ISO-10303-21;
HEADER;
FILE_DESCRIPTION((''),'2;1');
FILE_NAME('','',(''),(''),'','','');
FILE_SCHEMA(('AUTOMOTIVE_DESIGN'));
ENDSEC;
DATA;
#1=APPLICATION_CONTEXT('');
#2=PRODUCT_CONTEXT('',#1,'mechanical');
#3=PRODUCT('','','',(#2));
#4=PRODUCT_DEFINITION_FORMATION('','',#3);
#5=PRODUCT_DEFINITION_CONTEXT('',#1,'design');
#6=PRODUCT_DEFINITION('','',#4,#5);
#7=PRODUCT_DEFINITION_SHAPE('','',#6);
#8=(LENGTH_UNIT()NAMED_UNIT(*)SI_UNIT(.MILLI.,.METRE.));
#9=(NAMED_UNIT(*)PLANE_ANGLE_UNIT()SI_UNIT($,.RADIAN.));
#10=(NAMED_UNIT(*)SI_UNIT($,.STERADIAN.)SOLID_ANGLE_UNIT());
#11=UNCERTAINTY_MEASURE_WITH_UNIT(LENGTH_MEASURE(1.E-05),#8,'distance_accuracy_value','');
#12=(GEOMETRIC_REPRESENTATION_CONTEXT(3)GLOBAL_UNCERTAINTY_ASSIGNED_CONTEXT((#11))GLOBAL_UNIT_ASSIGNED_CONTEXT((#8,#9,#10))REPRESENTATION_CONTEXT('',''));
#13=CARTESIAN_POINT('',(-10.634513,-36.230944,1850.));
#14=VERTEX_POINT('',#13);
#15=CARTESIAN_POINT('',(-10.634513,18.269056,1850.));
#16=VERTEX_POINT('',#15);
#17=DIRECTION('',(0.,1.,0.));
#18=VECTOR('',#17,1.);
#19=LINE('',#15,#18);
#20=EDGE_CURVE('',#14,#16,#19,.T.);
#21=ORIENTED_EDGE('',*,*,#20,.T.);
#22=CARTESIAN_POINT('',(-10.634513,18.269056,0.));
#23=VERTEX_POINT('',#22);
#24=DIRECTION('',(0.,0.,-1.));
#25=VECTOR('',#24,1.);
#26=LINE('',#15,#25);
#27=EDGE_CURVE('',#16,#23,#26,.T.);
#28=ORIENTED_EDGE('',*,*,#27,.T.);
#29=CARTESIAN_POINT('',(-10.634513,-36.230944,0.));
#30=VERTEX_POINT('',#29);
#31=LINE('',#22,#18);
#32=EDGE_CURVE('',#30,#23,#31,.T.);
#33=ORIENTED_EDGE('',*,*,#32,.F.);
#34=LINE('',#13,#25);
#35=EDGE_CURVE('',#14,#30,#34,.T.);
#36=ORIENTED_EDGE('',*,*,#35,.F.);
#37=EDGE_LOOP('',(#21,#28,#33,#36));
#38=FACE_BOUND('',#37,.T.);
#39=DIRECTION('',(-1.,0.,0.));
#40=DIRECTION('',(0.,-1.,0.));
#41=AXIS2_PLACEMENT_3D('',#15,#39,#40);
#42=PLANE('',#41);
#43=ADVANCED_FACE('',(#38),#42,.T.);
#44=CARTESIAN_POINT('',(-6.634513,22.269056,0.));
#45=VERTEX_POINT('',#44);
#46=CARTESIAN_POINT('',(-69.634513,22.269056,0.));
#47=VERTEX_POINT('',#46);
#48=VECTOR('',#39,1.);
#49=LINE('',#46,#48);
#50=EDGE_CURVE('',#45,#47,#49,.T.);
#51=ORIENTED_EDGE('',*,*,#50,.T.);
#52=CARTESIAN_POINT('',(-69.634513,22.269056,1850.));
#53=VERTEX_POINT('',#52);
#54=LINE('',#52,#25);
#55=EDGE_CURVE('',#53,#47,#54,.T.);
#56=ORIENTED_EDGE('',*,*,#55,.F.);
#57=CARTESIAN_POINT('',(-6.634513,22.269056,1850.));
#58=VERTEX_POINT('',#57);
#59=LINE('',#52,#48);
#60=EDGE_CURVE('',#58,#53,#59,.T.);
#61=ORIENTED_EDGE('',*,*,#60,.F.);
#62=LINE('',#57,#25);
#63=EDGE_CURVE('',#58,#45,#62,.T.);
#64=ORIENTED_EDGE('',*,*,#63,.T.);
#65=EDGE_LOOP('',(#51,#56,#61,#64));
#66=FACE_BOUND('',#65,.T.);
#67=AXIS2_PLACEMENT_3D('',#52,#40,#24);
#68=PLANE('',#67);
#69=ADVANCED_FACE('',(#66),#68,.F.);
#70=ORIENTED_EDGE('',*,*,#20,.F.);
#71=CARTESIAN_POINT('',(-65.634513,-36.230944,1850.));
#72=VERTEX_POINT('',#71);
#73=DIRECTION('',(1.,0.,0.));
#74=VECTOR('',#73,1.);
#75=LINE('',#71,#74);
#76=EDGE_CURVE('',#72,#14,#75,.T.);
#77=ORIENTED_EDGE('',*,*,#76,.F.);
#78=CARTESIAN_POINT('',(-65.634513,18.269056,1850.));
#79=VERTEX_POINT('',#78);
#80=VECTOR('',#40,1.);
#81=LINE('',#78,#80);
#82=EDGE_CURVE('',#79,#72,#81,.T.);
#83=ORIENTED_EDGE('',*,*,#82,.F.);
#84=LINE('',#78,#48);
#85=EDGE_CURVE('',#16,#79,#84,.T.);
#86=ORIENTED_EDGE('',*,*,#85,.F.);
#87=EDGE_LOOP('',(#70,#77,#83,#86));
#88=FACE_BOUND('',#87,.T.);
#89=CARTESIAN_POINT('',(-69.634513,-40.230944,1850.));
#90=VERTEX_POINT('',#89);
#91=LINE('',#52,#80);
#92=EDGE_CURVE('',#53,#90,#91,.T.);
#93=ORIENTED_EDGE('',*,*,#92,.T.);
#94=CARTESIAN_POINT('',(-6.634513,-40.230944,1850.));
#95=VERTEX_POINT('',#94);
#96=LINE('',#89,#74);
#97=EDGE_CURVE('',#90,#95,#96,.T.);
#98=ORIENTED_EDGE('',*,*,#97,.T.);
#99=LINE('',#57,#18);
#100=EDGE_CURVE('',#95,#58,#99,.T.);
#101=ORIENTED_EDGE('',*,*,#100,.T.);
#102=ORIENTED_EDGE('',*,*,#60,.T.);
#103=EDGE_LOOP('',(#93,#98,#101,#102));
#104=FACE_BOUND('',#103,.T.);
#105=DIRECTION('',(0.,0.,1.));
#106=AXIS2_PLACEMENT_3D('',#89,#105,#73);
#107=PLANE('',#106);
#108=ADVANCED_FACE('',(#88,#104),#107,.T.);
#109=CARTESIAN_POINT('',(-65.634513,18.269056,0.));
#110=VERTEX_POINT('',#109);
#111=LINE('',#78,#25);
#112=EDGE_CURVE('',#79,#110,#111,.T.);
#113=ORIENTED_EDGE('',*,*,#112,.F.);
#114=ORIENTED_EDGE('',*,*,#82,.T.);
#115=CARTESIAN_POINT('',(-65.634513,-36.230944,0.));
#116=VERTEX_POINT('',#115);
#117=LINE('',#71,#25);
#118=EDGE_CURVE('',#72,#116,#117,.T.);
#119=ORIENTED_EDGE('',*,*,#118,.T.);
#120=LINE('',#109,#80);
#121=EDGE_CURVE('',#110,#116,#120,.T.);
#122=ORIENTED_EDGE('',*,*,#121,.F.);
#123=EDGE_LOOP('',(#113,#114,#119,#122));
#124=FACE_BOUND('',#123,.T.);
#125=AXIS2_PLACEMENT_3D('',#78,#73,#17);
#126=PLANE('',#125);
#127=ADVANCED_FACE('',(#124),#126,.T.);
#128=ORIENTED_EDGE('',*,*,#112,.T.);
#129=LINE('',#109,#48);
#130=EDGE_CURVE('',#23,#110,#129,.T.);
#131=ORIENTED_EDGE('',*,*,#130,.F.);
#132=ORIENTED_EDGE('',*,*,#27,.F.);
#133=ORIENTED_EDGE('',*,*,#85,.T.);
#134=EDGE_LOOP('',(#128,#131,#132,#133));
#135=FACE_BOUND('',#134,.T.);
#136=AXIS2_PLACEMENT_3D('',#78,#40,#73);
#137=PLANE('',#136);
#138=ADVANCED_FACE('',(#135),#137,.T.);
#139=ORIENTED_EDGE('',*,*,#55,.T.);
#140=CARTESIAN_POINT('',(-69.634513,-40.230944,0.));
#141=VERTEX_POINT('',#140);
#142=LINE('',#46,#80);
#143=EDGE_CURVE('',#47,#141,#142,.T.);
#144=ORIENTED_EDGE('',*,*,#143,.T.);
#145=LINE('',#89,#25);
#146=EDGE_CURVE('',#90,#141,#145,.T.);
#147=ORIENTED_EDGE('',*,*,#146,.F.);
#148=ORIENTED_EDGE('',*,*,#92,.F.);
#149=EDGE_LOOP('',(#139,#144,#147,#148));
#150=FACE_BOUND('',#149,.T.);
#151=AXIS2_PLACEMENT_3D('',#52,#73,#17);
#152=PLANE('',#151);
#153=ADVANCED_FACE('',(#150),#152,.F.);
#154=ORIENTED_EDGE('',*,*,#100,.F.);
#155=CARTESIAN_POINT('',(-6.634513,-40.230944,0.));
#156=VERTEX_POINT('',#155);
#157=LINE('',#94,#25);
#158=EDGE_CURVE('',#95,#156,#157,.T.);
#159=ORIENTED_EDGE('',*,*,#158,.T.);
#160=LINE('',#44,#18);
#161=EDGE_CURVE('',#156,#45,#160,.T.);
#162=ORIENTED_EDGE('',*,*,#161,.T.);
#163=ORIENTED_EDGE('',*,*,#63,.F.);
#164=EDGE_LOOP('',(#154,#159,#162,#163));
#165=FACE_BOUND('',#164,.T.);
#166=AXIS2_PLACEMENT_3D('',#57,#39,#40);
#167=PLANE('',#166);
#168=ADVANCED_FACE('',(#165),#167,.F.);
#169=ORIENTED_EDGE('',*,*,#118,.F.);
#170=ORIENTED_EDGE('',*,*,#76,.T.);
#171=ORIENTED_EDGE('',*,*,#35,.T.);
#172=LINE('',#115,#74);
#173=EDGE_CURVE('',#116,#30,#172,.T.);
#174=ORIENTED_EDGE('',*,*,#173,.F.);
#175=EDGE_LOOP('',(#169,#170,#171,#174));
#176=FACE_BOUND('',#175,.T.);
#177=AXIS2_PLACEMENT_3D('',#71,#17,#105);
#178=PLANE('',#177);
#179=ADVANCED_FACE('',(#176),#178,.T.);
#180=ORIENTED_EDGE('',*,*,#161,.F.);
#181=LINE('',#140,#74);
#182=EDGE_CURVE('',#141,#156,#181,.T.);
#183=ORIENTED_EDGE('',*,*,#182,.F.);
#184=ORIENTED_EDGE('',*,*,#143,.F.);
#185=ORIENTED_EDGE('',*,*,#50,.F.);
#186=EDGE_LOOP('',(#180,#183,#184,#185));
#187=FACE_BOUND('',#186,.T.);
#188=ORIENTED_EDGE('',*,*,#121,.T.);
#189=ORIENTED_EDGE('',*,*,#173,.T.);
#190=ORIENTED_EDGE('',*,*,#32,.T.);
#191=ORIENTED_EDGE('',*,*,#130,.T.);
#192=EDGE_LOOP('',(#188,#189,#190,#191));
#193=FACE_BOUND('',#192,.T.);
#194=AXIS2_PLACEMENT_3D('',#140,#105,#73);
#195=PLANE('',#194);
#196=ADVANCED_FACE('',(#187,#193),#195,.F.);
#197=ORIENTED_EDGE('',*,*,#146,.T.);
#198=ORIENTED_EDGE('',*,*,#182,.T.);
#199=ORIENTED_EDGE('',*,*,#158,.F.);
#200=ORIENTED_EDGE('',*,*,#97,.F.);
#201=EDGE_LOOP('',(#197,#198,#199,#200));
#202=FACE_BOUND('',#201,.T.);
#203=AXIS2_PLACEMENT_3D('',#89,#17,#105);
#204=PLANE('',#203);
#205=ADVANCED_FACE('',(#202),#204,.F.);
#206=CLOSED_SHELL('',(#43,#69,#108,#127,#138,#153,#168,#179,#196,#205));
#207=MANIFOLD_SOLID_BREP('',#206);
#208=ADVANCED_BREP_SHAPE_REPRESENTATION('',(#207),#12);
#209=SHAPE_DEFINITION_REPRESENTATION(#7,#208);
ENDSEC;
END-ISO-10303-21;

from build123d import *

# Parameters (mm, degrees)
CROQUIS1_W              = 63
CROQUIS1_H              = 62.5
CROQUIS1_W_2            = 55
CROQUIS1_H_2            = 54.5
SALIENTE_EXTRUIR1_DEPTH = 1850


with BuildPart() as part:
    # Croquis1 → Saliente-Extruir1 (new body)
    with BuildSketch(Plane.XY):
        with Locations((-38.134513149, -8.980944351)):
            Rectangle(CROQUIS1_W, CROQUIS1_H)
        with Locations((-38.134513149, -8.980944351)):
            Rectangle(CROQUIS1_W_2, CROQUIS1_H_2, mode=Mode.SUBTRACT)
    extrude(amount=SALIENTE_EXTRUIR1_DEPTH)


solid = part.part
